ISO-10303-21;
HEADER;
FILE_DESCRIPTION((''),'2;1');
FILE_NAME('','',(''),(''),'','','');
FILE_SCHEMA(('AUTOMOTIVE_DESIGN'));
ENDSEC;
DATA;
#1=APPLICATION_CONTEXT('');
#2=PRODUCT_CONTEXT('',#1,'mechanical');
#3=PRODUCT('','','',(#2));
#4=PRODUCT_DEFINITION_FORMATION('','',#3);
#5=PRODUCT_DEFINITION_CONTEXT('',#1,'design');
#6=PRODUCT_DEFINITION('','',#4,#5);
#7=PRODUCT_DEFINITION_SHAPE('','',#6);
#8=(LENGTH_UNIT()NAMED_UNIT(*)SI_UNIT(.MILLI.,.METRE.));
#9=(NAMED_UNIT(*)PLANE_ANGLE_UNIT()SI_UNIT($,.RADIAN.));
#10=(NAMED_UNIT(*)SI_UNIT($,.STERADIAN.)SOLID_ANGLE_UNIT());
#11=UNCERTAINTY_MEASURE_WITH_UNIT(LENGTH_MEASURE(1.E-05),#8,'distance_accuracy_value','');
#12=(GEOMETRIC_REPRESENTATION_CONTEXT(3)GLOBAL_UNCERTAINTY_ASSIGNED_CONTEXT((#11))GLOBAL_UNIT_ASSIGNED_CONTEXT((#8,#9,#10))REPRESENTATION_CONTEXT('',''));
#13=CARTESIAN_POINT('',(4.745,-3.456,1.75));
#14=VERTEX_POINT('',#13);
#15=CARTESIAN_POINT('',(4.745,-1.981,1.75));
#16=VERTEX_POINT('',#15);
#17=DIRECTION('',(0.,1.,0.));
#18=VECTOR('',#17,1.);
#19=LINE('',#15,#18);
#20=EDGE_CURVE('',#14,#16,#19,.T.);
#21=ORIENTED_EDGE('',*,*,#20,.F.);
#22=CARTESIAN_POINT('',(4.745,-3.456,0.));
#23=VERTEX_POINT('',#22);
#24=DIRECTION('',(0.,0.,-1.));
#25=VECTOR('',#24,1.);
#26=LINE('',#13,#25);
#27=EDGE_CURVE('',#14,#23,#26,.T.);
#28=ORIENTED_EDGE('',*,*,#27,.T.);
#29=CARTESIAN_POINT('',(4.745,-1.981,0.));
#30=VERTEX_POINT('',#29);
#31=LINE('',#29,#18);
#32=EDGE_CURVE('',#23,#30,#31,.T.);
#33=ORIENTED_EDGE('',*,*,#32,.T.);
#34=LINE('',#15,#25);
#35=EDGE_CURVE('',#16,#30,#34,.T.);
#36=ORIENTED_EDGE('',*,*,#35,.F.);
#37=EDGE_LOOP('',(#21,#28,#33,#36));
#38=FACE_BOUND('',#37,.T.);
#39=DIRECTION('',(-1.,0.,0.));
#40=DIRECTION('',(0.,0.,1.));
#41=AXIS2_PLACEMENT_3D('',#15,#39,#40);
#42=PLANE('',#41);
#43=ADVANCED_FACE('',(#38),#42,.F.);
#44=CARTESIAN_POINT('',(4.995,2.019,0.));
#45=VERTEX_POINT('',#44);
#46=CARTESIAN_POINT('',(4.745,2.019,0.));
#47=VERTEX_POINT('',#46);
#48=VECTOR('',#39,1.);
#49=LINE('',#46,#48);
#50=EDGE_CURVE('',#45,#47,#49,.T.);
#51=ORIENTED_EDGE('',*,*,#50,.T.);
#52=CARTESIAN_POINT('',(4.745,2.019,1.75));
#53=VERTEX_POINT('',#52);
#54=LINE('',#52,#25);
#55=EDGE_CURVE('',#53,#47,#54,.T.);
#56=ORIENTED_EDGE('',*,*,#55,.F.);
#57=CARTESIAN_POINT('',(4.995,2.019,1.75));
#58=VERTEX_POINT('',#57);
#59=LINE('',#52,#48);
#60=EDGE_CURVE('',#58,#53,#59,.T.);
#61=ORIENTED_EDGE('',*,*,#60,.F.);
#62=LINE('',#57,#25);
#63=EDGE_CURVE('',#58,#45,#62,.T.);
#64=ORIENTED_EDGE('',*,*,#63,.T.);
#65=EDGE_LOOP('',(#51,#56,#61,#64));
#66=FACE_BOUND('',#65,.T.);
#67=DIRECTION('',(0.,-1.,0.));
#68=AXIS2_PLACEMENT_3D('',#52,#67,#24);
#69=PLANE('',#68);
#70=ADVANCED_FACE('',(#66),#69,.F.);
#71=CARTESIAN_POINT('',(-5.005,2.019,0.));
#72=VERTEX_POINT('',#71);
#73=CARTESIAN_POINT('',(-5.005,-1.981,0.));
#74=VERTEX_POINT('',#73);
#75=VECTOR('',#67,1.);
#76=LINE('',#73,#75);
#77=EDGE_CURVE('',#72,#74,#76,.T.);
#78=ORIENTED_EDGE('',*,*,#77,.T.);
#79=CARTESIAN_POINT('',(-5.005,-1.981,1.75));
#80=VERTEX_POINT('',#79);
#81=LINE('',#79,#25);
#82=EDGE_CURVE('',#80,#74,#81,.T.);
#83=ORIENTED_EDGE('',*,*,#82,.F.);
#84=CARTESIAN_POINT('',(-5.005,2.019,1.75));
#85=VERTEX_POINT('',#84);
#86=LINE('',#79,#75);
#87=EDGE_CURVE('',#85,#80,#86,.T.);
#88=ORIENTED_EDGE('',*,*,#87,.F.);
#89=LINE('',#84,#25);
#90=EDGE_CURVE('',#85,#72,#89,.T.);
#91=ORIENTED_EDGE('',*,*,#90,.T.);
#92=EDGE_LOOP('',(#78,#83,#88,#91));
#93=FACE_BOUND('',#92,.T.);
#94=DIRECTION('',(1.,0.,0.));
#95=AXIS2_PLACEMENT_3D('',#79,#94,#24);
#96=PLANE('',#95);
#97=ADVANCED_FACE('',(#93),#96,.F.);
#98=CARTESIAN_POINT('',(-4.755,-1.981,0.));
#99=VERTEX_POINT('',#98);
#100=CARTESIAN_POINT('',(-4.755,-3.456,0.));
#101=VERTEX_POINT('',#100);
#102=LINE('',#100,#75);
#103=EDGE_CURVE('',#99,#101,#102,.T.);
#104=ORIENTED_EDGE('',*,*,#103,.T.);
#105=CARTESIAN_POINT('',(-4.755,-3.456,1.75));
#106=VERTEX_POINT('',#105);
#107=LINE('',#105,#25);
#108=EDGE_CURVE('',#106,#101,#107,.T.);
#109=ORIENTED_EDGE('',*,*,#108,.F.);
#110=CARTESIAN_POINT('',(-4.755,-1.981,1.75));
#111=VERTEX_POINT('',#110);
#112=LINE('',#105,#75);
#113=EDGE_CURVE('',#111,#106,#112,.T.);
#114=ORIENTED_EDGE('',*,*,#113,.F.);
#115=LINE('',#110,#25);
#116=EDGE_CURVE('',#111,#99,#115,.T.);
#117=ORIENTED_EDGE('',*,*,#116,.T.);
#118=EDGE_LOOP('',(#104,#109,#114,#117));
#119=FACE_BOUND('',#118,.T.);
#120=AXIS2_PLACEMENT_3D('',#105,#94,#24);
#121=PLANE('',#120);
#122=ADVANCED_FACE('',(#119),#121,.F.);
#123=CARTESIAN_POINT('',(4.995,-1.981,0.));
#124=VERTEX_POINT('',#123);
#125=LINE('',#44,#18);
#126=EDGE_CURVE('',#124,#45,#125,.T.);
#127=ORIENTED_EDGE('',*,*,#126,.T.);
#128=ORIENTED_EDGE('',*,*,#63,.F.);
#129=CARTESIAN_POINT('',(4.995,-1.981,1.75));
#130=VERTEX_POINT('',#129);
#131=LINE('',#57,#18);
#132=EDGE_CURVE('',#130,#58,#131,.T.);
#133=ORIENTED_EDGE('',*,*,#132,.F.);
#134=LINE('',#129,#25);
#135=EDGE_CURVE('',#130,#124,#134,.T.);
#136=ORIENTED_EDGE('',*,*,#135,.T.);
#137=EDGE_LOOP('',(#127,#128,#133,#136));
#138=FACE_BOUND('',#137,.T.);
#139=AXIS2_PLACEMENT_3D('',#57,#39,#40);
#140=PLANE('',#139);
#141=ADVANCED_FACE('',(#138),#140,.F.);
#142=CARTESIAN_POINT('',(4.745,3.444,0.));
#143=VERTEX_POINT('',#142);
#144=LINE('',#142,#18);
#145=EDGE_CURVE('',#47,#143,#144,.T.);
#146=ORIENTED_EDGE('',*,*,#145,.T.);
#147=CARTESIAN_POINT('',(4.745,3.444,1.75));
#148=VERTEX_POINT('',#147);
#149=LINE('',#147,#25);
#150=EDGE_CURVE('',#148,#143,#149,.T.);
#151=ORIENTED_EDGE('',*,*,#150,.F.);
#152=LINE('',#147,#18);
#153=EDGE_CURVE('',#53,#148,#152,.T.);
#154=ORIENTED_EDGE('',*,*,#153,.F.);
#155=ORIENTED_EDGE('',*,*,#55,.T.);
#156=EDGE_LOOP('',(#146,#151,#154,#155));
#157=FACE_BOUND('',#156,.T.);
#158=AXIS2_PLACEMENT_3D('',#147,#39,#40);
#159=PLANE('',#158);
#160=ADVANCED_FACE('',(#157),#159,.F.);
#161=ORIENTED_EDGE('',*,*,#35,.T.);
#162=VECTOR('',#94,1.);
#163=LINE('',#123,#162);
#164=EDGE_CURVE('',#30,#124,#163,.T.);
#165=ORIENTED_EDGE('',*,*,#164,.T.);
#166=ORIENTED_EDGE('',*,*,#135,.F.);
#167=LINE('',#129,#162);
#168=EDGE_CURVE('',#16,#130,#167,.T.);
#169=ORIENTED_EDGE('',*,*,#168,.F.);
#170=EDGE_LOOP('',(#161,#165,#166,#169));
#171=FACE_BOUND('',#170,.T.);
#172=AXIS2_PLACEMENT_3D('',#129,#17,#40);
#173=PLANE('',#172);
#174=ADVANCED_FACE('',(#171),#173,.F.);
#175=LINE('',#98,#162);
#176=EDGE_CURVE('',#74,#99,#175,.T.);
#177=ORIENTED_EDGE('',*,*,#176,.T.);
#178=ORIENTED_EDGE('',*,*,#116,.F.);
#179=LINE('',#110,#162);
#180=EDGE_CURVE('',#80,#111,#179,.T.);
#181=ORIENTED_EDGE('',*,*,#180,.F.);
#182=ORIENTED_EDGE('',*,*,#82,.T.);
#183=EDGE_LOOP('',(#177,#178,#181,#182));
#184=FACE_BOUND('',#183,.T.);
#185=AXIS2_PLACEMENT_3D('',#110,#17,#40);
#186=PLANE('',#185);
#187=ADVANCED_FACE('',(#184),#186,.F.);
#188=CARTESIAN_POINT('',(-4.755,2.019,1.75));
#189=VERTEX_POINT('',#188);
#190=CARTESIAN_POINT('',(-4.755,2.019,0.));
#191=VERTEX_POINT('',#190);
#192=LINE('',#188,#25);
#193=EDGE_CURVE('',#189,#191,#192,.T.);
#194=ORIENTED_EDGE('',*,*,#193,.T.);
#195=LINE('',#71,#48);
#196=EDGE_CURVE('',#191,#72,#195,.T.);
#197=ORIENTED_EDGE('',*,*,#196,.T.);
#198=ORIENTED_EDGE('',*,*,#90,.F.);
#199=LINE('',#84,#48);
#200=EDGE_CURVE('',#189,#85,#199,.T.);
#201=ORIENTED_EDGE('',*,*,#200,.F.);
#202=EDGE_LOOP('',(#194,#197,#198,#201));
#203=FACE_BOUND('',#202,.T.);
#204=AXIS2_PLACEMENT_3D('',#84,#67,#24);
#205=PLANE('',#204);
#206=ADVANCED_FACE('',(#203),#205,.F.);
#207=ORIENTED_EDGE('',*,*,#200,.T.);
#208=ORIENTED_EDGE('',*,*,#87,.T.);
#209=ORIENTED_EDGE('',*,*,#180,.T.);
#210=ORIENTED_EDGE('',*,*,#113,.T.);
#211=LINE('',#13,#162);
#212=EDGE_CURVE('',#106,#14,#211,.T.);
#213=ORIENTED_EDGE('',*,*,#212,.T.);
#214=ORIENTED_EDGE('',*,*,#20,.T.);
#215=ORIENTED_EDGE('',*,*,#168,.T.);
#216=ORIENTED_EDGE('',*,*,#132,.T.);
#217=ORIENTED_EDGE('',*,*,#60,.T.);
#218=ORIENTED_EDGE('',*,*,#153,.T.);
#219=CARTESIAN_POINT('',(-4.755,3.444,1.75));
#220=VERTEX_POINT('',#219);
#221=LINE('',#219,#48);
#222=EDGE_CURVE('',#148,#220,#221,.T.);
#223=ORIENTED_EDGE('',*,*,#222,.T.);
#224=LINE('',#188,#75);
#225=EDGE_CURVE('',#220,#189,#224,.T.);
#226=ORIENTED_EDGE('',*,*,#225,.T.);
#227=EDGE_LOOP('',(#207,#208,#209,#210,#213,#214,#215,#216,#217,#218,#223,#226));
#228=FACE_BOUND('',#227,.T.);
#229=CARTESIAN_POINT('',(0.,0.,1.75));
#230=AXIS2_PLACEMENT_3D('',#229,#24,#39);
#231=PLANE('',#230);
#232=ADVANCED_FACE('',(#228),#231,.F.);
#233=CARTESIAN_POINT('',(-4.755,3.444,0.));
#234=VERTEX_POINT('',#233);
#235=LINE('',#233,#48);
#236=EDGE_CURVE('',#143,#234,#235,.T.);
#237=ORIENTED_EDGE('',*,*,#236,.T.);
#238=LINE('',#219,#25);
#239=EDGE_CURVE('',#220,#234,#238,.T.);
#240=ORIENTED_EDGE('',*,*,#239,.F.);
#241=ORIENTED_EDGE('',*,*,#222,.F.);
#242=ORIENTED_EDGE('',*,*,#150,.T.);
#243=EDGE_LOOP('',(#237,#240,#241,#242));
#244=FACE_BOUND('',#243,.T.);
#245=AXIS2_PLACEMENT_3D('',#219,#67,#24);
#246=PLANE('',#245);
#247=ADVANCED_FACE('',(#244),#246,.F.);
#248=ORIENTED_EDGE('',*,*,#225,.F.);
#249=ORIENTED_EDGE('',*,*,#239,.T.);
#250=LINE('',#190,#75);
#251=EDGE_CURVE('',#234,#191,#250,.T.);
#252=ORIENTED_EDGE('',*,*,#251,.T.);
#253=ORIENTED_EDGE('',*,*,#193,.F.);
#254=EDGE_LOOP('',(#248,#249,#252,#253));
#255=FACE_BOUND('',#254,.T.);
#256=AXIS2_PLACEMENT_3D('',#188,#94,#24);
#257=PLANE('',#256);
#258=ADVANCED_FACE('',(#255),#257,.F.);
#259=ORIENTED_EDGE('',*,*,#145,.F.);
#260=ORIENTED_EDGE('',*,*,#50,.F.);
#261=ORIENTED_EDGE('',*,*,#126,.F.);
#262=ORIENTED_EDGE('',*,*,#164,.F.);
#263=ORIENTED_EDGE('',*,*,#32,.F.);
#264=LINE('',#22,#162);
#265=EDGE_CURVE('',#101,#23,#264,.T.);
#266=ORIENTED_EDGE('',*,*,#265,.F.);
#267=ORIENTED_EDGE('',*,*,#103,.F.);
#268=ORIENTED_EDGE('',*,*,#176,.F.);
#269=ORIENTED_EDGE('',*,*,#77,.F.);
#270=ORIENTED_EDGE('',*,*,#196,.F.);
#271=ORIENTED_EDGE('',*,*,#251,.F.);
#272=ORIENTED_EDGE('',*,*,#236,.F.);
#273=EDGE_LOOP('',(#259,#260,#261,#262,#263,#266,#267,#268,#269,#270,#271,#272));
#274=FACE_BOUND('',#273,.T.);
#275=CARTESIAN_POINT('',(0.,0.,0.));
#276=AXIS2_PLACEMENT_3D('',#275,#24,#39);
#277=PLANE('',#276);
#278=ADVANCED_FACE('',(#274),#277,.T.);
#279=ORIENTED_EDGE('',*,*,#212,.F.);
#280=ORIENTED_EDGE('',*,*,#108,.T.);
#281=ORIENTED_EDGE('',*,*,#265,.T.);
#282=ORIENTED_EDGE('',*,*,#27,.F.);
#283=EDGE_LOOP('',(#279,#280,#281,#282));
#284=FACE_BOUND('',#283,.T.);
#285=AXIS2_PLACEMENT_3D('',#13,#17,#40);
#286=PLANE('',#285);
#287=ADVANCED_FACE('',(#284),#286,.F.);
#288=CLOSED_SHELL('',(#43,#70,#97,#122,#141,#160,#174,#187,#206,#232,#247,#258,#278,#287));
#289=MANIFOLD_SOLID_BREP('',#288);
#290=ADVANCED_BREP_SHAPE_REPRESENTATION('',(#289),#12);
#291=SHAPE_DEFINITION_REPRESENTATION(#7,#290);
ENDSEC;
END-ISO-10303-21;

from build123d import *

# Parameters (mm, degrees)
COMPONENT_OUTLINE_DEPTH = 1.75


with BuildPart() as part:
    # 草图1 → Component_Outline (new body)
    with BuildSketch(Plane.XY):
        Polygon((-4.755, -3.456), (-4.755, -1.981), (-5.005, -1.981), (-5.005, 2.019), (-4.755, 2.019), (-4.755, 3.444), (4.745, 3.444), (4.745, 2.019), (4.995, 2.019), (4.995, -1.981), (4.745, -1.981), (4.745, -3.456), align=None)
    extrude(amount=COMPONENT_OUTLINE_DEPTH)


solid = part.part
